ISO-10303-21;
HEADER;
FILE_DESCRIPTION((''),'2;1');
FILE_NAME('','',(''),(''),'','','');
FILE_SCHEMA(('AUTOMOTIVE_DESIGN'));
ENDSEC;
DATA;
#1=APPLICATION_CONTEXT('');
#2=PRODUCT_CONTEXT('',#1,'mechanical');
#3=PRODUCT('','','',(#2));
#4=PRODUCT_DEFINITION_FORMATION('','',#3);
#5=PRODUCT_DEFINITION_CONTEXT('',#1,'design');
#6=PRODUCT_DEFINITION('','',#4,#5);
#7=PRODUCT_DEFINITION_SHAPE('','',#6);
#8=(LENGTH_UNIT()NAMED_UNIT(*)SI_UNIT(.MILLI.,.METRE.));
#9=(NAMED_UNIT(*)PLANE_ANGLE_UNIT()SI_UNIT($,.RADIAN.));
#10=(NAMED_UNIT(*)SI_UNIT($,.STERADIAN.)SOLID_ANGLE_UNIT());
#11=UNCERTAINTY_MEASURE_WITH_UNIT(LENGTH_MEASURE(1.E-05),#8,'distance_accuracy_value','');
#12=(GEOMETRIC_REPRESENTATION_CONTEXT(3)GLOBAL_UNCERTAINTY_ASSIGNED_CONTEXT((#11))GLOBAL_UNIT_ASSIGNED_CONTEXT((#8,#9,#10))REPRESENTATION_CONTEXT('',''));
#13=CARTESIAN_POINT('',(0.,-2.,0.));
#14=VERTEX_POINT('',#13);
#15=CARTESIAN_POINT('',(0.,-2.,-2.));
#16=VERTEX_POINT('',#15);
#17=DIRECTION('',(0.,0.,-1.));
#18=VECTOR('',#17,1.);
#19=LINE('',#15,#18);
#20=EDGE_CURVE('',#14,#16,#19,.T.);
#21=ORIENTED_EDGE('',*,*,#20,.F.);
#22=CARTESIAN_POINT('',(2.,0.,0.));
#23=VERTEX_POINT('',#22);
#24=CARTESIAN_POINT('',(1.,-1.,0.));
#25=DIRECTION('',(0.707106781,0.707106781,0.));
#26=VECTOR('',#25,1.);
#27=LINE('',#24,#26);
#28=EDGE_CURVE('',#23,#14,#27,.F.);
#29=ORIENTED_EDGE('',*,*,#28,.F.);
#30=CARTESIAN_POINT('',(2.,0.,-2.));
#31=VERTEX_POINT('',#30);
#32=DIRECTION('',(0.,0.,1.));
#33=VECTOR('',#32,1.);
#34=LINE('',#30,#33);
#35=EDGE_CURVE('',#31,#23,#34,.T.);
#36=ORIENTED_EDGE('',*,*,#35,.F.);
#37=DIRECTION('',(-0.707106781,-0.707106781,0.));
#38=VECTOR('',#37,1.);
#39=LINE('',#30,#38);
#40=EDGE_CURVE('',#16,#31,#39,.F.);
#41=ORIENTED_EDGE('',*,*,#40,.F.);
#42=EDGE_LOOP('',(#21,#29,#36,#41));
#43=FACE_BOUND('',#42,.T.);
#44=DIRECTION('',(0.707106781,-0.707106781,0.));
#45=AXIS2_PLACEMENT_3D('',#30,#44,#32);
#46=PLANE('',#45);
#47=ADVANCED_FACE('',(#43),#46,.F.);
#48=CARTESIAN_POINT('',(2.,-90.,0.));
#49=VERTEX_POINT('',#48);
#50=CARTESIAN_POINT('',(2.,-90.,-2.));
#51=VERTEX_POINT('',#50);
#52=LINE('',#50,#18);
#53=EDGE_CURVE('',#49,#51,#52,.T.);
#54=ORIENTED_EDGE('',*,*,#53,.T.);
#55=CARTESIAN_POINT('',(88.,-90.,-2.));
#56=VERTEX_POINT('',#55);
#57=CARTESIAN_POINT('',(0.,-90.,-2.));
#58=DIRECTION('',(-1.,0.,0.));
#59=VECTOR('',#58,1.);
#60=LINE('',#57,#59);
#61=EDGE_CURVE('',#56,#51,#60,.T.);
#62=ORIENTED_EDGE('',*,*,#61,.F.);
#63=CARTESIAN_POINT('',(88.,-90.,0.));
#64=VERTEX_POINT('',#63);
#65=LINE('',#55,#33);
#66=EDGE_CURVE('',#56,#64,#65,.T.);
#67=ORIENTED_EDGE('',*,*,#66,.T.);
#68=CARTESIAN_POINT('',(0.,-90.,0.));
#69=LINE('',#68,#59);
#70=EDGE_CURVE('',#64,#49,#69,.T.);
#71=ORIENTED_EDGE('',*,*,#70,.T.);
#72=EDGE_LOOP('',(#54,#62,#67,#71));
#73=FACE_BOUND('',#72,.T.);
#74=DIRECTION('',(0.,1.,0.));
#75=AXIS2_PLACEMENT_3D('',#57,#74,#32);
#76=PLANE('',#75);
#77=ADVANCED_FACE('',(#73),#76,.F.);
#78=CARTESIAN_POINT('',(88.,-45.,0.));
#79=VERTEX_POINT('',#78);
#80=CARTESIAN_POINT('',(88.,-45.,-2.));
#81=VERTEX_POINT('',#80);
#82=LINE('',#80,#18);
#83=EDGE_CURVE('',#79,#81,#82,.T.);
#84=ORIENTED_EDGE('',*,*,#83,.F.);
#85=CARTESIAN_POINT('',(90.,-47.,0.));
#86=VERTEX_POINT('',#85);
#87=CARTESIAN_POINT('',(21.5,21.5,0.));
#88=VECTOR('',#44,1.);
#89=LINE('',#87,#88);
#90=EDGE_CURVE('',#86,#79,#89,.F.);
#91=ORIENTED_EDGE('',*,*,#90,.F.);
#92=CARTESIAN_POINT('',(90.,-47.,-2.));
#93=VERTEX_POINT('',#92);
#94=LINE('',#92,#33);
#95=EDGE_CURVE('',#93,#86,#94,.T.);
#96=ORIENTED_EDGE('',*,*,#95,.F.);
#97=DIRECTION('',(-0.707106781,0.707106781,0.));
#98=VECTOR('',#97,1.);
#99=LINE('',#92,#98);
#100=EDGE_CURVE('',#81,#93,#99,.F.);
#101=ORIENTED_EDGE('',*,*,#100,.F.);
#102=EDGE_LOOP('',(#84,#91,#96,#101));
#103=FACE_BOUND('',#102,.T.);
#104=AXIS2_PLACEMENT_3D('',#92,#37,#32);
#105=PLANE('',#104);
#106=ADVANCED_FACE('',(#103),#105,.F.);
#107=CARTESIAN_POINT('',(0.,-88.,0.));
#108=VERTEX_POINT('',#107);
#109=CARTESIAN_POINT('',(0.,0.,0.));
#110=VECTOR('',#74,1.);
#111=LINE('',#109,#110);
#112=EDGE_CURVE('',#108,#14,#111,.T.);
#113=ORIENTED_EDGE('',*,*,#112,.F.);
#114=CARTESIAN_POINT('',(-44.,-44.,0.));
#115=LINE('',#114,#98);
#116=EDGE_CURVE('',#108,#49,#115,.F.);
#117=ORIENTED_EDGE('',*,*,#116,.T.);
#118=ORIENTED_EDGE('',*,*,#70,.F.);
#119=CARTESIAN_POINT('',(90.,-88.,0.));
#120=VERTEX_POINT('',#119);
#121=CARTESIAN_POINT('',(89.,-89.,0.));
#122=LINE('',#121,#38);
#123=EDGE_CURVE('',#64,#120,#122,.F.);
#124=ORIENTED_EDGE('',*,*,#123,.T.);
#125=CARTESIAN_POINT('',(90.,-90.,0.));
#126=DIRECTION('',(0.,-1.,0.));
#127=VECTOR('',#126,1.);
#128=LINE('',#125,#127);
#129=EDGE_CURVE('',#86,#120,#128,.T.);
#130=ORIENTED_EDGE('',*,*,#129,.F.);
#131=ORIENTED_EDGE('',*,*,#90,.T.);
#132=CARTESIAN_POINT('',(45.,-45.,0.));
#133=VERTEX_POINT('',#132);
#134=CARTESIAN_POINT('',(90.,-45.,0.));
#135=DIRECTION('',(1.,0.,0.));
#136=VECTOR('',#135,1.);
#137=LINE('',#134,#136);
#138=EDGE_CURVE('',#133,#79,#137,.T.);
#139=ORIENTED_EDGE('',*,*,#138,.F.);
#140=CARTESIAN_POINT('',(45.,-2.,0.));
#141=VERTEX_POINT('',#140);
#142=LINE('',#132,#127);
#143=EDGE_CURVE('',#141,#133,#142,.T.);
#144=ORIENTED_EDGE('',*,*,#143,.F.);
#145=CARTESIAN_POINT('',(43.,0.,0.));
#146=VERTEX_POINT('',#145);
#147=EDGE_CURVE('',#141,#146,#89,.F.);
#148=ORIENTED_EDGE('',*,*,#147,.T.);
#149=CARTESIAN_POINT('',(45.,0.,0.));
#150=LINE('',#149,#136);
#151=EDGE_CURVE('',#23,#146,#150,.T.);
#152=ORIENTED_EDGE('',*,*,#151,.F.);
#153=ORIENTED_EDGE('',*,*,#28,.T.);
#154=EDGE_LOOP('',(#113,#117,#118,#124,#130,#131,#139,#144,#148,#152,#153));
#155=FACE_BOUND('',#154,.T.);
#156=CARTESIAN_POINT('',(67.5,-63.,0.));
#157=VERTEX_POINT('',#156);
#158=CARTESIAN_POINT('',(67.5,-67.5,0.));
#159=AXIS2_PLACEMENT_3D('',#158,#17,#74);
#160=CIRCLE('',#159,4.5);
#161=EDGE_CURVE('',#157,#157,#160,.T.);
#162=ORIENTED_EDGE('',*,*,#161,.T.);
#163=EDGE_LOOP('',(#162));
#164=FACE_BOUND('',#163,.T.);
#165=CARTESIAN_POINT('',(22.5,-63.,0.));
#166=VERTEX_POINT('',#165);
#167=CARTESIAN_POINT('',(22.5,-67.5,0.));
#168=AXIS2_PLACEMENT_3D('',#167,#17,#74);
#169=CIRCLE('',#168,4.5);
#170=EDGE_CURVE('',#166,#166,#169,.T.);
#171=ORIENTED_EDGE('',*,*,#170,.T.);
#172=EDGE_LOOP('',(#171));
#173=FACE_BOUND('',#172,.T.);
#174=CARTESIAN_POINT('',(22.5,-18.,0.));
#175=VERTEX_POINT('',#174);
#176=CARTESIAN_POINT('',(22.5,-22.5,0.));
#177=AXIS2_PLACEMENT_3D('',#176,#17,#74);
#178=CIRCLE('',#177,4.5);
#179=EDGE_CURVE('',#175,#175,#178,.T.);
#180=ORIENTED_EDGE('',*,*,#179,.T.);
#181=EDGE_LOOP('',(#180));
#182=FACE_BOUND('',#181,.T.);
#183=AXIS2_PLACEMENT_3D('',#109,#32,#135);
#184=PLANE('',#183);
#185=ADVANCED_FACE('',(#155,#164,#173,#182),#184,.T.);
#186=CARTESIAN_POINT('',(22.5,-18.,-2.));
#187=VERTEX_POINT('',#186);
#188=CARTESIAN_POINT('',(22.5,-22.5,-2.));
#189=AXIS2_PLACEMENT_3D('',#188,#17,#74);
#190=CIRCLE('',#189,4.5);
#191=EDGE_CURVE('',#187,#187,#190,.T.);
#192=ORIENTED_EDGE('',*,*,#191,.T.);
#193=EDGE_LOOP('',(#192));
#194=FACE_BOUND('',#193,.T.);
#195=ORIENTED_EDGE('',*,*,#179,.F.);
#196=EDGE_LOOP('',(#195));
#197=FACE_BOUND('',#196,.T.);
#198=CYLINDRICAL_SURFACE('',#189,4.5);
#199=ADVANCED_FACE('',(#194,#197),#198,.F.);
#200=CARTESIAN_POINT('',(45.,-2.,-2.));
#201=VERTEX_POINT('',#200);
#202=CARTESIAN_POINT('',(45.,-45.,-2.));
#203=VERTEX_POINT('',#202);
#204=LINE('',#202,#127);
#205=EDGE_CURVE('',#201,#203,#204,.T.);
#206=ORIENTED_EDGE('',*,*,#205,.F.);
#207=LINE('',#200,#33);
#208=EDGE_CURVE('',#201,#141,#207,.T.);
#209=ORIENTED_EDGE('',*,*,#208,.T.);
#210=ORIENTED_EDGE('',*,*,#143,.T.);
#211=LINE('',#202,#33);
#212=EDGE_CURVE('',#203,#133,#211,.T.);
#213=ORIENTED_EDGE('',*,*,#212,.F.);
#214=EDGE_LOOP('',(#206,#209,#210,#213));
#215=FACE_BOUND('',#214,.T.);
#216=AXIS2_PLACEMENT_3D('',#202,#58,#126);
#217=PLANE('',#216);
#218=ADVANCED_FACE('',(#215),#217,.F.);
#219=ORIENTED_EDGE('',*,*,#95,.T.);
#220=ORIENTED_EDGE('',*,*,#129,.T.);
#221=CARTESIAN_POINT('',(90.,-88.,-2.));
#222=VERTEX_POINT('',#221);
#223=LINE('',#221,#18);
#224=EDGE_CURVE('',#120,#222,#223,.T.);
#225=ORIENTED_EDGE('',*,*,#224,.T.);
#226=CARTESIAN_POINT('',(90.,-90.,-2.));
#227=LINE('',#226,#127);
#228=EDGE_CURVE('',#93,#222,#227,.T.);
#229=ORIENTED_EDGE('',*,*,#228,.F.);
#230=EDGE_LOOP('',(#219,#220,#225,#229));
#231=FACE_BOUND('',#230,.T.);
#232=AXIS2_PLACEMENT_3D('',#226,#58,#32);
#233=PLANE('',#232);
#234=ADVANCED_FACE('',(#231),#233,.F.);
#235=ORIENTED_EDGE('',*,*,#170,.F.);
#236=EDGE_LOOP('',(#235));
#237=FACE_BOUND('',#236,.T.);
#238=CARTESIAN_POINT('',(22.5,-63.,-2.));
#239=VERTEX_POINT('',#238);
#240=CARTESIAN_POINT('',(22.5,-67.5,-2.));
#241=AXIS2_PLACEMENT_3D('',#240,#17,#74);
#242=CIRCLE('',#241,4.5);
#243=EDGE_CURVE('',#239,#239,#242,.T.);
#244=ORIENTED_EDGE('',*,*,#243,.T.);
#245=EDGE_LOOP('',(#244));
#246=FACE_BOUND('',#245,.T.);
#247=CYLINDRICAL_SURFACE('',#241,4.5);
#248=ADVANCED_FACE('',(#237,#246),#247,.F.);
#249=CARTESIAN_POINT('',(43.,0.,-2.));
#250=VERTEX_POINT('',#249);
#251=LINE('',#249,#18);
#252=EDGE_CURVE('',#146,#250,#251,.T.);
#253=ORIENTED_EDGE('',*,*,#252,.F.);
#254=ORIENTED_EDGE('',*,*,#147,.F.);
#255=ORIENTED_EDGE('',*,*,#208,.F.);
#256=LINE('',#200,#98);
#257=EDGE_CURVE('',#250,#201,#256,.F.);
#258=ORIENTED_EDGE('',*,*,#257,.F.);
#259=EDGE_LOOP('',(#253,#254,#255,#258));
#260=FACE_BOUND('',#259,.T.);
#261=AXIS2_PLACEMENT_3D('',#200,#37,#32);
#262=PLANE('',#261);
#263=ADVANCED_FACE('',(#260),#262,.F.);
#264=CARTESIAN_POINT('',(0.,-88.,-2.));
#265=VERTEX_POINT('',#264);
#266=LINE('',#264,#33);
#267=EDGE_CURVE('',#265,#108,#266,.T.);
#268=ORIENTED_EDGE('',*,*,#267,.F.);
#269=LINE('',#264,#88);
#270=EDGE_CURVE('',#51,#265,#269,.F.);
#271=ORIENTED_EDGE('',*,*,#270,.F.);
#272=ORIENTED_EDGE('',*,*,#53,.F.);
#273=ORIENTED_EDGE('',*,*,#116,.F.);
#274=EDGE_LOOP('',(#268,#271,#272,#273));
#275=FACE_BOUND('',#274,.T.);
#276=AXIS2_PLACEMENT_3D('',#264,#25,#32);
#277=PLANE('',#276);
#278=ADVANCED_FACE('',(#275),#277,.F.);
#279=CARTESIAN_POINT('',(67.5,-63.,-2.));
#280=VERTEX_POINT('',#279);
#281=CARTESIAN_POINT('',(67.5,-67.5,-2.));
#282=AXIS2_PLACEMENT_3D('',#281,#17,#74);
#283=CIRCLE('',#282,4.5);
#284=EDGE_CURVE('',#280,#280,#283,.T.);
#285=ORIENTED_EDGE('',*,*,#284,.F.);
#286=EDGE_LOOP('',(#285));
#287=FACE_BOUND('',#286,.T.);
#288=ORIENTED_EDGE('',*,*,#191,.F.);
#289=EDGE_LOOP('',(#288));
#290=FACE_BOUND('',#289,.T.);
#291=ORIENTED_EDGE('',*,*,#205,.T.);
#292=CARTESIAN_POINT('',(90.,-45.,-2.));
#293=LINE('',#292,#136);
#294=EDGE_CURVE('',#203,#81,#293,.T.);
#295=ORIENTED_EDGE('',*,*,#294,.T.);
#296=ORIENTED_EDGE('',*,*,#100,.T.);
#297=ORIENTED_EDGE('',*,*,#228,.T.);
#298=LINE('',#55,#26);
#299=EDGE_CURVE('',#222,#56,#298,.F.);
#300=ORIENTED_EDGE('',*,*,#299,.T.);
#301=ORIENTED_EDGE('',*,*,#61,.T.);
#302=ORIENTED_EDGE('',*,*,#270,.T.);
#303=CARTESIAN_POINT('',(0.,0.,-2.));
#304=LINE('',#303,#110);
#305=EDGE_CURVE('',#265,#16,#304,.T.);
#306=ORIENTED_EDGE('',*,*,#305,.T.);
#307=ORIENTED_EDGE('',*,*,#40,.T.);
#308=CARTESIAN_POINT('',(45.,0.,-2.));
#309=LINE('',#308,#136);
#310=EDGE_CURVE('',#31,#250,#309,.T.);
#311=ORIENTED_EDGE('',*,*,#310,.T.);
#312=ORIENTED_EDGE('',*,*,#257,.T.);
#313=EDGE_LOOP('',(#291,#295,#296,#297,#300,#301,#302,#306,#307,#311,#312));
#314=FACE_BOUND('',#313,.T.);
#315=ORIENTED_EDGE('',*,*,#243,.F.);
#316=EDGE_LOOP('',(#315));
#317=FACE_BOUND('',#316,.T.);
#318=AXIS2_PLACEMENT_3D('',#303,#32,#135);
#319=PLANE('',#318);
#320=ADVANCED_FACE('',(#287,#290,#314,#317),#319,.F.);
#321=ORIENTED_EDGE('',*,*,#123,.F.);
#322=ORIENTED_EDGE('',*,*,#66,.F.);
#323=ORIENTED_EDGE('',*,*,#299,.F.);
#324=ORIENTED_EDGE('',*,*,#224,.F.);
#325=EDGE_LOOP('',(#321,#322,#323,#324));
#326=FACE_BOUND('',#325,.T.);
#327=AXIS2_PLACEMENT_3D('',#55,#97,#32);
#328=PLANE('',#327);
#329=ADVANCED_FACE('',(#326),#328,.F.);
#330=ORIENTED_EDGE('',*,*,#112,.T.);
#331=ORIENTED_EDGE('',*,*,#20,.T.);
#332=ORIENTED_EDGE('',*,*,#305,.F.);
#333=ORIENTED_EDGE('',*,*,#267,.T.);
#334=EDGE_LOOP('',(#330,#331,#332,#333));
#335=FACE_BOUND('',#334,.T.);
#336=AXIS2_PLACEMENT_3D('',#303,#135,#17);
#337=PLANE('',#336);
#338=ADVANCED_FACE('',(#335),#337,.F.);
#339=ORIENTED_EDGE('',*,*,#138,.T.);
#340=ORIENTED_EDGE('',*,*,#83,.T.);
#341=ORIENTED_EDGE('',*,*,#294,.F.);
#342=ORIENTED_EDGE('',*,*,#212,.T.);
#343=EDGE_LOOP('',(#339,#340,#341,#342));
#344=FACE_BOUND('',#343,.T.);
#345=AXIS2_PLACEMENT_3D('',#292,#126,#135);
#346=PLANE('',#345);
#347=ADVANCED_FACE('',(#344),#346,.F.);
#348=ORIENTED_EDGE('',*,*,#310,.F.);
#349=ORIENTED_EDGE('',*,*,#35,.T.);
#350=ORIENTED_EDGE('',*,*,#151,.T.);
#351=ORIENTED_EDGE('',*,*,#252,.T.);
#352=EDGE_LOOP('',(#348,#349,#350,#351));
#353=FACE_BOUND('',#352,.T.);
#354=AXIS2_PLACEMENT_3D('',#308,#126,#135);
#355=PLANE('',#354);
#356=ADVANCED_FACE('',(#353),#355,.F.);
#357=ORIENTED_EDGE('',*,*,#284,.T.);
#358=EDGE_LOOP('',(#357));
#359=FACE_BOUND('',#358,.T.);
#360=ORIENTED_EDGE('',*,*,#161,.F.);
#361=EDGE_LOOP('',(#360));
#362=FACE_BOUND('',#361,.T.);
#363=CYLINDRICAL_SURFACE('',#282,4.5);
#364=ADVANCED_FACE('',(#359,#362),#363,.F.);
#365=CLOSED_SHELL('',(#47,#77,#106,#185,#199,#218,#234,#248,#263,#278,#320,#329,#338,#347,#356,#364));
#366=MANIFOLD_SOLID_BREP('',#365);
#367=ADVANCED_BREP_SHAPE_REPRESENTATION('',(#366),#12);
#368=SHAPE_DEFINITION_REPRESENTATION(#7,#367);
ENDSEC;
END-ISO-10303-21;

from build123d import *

# Parameters (mm, degrees)
EXTRUDE_1_DEPTH   = 2
HOLE_WIZARD_M81_D = 9
CHAMFER_1_SIZE    = 2


with BuildPart() as part:
    # Эскиз1 → Бобышка-Вытянуть1 (new body)
    with BuildSketch(Plane(origin=(0, 0, 0), x_dir=(1, 0, 0), z_dir=(0, 0, -1))):
        Polygon((0, 0), (0, 90), (90, 90), (90, 45), (45, 45), (45, 0), align=None)
    extrude(amount=EXTRUDE_1_DEPTH)

    # Отверстие с зазором M81 (through all)
    with Locations(Plane(origin=(0, 0, -2), x_dir=(1, 0, 0), z_dir=(0, 0, -1))):
        with Locations((22.5, 67.5), (22.5, 22.5), (67.5, 67.5)):
            Hole(HOLE_WIZARD_M81_D / 2)

    # Фаска1
    chamfer_1_edges = [part.edges().sort_by_distance(p)[0] for p in [
        (0, 0, -1),
        (0, -90, -1),
        (90, -90, -1),
        (90, -45, -1),
        (45, 0, -1),
    ]]
    chamfer(chamfer_1_edges, length=CHAMFER_1_SIZE)


solid = part.part
